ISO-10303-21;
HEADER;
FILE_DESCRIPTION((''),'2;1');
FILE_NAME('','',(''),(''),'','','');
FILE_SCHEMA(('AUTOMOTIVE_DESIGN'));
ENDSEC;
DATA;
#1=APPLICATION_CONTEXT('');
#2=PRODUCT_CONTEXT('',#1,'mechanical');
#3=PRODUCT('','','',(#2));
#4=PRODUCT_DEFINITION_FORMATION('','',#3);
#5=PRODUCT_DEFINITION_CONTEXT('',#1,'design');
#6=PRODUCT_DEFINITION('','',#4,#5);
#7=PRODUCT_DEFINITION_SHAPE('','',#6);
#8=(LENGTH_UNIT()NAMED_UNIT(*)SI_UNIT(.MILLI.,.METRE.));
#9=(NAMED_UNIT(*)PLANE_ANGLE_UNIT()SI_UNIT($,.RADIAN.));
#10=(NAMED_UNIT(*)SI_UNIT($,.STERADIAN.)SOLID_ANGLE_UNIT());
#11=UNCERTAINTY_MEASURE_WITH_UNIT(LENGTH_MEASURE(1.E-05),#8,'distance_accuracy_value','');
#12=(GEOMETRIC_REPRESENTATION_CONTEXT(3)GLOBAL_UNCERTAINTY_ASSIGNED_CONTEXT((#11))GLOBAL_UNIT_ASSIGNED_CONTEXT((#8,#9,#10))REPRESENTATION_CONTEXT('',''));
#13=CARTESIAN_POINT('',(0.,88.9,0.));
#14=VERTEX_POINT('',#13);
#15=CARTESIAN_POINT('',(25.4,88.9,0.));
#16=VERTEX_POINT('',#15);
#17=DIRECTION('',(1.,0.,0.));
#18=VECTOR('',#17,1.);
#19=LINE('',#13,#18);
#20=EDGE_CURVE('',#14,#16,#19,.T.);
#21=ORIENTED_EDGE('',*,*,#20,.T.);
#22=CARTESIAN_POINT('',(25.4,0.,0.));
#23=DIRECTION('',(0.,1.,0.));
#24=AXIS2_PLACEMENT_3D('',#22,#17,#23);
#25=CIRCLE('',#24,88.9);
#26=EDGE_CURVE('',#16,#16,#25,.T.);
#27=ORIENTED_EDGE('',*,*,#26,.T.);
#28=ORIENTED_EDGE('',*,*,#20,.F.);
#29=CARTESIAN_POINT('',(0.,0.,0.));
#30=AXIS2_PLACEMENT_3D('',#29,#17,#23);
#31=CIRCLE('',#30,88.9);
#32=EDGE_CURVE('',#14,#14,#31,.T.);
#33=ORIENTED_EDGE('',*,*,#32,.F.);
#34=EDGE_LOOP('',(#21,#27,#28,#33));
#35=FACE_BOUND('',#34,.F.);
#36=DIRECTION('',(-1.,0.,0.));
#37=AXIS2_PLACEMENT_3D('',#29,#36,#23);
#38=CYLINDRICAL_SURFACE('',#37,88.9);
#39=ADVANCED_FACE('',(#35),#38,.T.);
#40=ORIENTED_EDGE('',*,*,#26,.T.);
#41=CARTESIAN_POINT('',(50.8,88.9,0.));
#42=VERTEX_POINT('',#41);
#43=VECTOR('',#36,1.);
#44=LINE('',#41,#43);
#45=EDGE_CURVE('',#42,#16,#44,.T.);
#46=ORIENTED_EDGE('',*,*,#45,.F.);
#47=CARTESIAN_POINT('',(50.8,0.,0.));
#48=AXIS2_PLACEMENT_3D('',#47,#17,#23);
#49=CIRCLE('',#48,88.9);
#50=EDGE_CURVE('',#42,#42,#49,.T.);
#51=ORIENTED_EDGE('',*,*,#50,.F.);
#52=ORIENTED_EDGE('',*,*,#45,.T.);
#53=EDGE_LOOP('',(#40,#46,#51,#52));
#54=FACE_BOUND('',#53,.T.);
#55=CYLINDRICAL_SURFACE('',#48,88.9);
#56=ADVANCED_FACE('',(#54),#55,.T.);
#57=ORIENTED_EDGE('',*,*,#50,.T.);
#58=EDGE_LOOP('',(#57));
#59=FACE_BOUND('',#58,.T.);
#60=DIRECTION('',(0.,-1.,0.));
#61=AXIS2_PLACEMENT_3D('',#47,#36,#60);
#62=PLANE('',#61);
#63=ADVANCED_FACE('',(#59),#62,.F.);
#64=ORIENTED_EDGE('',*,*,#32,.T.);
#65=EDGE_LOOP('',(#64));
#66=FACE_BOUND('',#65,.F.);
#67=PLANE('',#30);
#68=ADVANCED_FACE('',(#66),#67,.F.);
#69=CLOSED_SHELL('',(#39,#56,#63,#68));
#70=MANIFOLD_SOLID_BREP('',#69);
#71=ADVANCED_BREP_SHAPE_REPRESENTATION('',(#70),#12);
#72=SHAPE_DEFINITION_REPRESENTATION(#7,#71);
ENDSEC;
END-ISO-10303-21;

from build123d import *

# Parameters (mm, degrees)
F0_R     = 88.9
F1_DEPTH = 25.4


with BuildPart() as f1:
    # F0 (on Right) → F1 (new body)
    with BuildSketch(Plane.YZ):
        Circle(F0_R)
    extrude(amount=F1_DEPTH)

    # F2: F1 across face


with BuildPart() as f1_1:
    add(f1.part)
    add(f1.part.mirror(Plane.YZ.offset(25.4)))


solid = f1_1.part
